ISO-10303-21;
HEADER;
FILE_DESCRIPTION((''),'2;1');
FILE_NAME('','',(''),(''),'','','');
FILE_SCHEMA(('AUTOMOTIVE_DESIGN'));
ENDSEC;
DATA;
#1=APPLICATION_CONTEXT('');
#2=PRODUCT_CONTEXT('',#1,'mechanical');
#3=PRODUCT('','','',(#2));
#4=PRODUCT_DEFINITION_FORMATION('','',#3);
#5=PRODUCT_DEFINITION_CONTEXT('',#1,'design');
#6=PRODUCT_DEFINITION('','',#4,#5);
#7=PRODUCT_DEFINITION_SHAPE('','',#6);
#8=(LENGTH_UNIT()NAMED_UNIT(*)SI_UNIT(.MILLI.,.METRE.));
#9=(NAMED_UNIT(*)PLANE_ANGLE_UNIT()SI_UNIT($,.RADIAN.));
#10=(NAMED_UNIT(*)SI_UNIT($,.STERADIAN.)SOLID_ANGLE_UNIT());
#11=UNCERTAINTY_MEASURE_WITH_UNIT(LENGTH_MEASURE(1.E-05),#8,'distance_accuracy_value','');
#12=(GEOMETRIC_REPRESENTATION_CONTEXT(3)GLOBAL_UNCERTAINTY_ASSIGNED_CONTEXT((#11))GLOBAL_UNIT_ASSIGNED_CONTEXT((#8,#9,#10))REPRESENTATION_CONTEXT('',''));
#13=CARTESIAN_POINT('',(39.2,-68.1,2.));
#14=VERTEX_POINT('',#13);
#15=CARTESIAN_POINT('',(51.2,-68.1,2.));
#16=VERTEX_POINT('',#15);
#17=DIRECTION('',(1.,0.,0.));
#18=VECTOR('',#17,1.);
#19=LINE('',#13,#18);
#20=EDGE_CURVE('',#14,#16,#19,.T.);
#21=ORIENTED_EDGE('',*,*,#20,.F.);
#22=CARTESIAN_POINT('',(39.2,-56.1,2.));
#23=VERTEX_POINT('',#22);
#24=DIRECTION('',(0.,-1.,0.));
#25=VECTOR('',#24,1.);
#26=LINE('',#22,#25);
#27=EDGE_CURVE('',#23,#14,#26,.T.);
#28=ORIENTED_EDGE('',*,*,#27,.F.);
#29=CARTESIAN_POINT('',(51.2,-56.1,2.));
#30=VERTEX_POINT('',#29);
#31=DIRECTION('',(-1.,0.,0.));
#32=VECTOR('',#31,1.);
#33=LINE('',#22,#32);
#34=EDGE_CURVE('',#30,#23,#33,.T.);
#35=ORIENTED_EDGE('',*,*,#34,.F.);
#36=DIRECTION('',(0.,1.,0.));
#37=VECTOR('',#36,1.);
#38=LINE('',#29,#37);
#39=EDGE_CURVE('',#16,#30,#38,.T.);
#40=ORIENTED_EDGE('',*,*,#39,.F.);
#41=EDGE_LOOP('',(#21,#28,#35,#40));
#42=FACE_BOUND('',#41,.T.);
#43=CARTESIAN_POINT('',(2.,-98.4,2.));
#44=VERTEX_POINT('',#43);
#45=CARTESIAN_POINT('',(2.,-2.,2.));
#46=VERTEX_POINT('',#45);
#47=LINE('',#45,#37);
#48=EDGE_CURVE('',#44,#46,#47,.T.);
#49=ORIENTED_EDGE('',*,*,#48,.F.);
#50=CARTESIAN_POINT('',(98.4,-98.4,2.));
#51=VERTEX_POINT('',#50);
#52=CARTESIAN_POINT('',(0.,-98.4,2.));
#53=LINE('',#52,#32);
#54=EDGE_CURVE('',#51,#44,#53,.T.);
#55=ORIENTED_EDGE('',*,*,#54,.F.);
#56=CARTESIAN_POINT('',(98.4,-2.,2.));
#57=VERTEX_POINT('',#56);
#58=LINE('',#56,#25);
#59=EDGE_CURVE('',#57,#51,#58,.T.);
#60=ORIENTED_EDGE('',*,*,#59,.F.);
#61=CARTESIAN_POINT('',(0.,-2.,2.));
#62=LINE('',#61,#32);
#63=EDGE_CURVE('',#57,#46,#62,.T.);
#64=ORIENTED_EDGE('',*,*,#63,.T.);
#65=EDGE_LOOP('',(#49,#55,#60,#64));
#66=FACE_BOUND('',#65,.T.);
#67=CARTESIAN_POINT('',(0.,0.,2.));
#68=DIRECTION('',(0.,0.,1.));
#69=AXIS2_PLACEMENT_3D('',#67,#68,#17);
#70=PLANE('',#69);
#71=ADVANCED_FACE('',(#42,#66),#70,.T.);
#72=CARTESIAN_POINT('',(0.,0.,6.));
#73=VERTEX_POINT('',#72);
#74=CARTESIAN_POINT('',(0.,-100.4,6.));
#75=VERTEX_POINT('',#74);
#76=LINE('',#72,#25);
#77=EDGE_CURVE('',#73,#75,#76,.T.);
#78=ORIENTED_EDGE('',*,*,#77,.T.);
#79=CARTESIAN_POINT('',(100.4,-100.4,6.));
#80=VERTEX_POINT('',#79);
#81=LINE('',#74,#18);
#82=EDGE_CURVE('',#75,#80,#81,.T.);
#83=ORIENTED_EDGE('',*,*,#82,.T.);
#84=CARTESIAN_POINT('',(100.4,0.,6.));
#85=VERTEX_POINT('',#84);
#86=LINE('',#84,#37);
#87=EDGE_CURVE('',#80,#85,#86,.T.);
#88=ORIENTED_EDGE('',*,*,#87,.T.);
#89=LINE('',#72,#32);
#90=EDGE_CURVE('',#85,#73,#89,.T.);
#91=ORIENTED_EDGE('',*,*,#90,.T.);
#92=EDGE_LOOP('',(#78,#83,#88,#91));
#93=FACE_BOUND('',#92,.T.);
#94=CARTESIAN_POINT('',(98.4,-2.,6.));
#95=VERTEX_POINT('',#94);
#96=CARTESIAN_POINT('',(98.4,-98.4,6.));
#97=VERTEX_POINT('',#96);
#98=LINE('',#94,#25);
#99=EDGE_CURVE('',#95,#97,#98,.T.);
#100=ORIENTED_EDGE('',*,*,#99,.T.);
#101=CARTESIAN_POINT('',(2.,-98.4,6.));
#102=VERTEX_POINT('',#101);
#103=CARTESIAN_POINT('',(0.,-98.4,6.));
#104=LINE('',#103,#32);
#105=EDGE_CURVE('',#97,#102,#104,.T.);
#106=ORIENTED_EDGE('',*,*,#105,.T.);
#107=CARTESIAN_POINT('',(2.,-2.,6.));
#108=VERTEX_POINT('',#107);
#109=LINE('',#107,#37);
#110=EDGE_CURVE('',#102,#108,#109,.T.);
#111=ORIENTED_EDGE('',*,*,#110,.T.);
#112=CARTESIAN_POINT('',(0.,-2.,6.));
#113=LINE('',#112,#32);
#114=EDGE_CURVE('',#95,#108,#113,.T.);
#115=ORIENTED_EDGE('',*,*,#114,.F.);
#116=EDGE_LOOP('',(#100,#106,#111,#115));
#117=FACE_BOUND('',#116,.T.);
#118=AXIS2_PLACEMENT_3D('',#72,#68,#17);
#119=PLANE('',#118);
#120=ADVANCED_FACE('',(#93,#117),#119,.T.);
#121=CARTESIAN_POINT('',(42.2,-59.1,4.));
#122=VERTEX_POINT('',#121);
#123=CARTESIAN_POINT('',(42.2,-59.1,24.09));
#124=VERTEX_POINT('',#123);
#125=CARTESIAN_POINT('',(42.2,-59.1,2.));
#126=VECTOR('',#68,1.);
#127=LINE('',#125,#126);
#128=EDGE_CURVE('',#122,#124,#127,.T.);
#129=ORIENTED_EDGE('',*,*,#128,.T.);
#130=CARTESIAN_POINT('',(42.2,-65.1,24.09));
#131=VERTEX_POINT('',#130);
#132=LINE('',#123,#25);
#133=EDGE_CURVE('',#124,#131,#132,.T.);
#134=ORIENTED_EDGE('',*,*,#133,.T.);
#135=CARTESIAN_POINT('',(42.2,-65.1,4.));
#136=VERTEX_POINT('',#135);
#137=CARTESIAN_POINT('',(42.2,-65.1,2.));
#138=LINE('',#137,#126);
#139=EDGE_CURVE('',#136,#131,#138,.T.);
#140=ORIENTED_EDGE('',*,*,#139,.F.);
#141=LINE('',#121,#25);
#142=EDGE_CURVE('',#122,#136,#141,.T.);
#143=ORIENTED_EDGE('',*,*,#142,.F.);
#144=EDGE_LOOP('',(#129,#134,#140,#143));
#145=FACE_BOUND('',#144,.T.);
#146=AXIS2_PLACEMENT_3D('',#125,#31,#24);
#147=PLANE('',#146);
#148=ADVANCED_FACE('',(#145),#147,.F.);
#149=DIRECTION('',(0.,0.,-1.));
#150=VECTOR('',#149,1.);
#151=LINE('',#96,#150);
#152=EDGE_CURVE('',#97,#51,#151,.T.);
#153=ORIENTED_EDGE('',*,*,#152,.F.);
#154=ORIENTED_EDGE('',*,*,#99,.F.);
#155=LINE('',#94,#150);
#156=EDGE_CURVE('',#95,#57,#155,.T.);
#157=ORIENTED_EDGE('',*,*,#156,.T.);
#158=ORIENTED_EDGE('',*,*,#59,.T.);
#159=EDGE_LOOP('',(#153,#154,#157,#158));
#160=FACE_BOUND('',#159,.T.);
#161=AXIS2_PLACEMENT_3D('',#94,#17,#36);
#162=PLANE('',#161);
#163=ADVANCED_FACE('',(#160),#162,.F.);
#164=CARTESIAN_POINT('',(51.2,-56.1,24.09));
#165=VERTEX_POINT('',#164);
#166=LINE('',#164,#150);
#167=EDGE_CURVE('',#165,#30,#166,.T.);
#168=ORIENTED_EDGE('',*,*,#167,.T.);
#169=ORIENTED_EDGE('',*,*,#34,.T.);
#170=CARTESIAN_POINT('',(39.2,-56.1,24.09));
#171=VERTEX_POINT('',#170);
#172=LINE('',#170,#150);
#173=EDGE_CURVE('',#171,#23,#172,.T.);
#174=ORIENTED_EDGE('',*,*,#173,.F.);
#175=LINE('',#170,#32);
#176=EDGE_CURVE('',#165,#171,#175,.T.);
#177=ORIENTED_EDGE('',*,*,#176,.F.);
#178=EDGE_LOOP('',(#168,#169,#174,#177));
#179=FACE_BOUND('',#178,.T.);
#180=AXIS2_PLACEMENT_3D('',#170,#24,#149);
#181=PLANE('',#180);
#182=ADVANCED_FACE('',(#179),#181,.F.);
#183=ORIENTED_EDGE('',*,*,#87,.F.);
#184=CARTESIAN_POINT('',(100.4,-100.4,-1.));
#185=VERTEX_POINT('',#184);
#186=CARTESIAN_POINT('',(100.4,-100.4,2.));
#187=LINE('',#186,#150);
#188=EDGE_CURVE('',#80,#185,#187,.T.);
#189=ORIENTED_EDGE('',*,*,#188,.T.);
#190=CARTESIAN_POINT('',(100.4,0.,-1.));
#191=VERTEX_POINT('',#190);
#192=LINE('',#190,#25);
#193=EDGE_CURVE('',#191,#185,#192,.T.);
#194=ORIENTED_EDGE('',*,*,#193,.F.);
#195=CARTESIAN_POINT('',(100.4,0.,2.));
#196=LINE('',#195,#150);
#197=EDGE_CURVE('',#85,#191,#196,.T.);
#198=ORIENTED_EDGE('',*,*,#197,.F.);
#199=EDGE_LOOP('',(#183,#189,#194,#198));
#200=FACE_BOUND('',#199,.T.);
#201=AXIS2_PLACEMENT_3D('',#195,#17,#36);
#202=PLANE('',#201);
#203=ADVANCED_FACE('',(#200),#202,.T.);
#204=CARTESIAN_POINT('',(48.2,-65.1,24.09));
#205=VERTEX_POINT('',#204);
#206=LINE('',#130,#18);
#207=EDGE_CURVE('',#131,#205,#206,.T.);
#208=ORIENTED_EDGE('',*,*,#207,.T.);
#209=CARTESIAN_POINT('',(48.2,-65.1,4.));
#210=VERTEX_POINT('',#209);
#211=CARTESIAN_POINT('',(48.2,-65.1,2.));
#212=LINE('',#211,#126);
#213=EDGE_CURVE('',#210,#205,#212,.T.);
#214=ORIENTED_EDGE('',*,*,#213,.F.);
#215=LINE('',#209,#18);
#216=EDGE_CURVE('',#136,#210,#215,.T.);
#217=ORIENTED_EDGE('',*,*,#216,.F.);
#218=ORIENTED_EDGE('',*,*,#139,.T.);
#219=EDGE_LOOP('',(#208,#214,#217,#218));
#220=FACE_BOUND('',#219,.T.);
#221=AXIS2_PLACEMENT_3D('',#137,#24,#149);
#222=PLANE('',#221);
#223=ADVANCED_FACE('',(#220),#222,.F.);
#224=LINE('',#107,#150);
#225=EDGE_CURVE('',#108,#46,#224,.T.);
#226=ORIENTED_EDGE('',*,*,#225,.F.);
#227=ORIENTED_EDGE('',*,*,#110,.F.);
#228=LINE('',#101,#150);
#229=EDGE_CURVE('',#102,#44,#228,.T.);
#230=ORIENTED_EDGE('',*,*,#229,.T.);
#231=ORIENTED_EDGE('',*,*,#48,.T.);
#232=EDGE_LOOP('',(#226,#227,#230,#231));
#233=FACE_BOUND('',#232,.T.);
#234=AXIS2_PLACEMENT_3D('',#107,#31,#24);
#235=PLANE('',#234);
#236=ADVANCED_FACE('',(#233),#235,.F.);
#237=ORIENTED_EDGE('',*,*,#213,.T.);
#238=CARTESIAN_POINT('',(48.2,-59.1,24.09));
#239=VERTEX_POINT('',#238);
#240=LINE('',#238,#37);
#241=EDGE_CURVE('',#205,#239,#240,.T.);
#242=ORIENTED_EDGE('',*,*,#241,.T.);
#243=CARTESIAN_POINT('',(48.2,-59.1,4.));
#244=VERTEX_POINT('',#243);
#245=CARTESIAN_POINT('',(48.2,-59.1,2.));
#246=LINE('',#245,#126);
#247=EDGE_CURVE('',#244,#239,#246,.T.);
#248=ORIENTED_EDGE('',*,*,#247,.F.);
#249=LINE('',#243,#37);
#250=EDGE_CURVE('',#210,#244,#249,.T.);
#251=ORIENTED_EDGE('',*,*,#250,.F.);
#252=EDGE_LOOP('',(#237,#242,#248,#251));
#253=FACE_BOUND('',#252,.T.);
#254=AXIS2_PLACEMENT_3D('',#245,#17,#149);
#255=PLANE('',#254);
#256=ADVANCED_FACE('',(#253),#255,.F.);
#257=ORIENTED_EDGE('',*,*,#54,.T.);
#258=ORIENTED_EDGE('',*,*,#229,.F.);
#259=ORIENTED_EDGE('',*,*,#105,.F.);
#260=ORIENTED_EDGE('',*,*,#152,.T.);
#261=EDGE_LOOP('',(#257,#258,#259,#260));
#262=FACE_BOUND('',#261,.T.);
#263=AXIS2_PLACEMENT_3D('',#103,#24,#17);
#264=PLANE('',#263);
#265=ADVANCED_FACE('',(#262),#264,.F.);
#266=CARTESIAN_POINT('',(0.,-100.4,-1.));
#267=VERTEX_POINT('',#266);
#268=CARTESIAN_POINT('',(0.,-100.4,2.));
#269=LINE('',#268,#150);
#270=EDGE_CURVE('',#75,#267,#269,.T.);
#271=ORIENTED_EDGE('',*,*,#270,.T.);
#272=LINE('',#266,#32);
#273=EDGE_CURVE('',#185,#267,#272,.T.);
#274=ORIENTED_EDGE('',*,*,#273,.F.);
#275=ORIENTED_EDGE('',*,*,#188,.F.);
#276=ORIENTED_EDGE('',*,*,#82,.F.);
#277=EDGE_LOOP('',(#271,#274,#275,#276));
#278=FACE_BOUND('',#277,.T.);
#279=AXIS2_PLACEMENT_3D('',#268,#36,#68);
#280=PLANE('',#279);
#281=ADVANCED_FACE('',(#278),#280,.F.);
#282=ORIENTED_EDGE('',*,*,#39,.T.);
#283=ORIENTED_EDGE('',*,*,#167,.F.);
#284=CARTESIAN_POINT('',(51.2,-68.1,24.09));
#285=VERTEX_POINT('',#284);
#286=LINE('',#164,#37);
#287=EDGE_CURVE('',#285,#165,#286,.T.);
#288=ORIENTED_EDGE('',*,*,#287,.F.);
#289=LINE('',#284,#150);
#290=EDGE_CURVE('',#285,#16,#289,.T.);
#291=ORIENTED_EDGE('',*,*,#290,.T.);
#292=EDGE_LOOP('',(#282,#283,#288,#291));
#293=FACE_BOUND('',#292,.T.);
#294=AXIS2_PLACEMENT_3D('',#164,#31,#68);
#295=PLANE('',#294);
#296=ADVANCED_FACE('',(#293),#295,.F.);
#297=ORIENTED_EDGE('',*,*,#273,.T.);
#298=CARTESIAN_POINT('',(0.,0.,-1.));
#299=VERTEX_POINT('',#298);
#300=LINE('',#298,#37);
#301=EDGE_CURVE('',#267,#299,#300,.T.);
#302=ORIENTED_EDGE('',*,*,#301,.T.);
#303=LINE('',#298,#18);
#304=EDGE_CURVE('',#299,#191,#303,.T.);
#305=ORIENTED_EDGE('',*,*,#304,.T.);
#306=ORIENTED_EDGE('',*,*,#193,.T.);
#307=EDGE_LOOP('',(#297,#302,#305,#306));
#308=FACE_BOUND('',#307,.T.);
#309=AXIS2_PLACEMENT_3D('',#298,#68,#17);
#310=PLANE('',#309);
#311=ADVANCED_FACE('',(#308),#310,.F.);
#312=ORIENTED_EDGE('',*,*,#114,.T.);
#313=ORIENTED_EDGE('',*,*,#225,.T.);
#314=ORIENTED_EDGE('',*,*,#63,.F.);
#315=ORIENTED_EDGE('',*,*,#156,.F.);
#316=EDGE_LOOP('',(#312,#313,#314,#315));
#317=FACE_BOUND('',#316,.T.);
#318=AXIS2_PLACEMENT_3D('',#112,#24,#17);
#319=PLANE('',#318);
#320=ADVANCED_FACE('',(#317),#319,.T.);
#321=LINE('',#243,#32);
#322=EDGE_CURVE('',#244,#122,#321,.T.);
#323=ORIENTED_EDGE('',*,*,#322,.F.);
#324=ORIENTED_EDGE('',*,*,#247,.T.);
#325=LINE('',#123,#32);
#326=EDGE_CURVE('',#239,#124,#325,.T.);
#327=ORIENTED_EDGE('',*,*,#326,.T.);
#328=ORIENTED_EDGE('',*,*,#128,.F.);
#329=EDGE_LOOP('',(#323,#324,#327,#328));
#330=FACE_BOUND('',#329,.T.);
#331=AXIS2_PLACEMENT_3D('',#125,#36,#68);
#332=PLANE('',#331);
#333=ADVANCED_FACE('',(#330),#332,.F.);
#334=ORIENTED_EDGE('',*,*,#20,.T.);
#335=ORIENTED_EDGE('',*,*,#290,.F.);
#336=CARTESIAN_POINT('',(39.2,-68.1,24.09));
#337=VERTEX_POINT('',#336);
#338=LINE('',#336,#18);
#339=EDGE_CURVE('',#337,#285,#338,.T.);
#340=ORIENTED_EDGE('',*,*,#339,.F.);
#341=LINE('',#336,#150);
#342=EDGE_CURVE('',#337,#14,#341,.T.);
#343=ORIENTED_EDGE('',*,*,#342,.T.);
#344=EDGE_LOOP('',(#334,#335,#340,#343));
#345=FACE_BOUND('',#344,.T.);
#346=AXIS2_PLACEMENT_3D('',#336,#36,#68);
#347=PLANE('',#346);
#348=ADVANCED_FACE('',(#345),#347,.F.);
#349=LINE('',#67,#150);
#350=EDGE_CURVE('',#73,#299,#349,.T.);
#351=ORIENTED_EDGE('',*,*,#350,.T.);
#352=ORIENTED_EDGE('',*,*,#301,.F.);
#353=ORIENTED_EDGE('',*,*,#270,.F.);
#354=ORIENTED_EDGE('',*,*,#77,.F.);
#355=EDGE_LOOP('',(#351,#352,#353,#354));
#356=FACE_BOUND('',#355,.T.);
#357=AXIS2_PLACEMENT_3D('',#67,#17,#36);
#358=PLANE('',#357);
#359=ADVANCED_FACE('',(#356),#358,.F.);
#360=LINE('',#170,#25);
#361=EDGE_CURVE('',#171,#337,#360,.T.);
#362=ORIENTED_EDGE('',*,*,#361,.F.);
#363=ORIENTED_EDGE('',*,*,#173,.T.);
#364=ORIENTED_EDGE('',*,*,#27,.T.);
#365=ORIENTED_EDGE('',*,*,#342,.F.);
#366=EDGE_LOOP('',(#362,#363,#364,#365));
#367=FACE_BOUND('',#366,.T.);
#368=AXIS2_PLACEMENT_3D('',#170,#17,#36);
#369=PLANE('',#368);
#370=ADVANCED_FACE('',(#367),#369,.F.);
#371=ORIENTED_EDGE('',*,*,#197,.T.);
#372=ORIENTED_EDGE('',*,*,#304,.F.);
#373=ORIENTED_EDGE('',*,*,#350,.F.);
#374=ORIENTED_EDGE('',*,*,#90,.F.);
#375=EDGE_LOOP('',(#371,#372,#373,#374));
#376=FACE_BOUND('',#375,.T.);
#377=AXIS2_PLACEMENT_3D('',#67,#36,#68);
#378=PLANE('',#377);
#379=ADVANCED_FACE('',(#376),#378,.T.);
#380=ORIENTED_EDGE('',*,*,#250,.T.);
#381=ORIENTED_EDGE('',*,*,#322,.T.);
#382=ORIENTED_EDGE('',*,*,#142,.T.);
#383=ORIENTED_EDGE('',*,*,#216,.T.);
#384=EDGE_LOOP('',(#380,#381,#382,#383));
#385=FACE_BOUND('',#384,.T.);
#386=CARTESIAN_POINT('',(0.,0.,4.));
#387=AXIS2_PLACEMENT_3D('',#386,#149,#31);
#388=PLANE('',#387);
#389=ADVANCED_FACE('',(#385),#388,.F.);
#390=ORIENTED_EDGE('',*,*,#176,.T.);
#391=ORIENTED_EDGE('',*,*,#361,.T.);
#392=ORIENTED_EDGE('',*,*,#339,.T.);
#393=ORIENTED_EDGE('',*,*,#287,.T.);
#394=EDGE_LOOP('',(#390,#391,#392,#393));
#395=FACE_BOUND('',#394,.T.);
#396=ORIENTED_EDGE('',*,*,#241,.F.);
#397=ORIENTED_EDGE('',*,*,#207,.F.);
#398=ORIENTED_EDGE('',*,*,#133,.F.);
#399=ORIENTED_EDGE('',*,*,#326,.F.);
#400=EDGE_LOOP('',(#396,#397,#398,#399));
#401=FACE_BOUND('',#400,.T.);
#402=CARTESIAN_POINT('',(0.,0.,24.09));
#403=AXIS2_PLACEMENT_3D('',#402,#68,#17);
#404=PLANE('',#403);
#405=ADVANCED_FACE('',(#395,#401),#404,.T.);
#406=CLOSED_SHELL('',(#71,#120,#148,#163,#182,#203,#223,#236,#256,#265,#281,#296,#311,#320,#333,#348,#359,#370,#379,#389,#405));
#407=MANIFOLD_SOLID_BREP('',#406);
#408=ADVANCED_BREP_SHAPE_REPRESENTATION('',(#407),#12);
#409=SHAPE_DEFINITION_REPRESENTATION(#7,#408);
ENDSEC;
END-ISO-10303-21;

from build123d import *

# Parameters (mm, degrees)
SKETCH_1_W          = 100.4
SKETCH_1_H          = 100.4
EXTRUDE_2_DEPTH     = 2
SKETCH_2_W          = 100.4
SKETCH_2_H          = 2
EXTRUDE_3_DEPTH     = 4
SKETCH_3_W          = 2
SKETCH_3_H          = 96.4
EXTRUDE_4_DEPTH     = 4
SKETCH_4_W          = 12
SKETCH_4_H          = 12
EXTRUDE_5_DEPTH     = 22.09
SKETCH_7_W          = 6
SKETCH_7_H          = 6
CUT_EXTRUDE_1_DEPTH = 22.09
SKETCH_8_W          = 6
SKETCH_8_H          = 6
EXTRUDE_6_DEPTH     = 2
SKETCH_10_W         = 100.4
SKETCH_10_H         = 100.4
EXTRUDE_7_DEPTH     = 1


with BuildPart() as part:
    # 草圖1 → 填料-伸長2 (new body)
    with BuildSketch(Plane.XY):
        with Locations((50.2, -50.2)):
            Rectangle(SKETCH_1_W, SKETCH_1_H)
    extrude(amount=EXTRUDE_2_DEPTH)

    # 草圖2 → 填料-伸長3 (add)
    with BuildSketch(Plane.XY.offset(2)):
        Polygon((100.4, -2), (100.4, 0), (0, 0), (0, -2), (1, -2), (55.6, -2), align=None)
        with Locations((50.2, -99.4)):
            Rectangle(SKETCH_2_W, SKETCH_2_H)
    extrude(amount=EXTRUDE_3_DEPTH)

    # 草圖3 → 填料-伸長4 (add)
    with BuildSketch(Plane.XY.offset(2)):
        with Locations((1, -50.2)):
            Rectangle(SKETCH_3_W, SKETCH_3_H)
        with Locations((99.4, -50.2)):
            Rectangle(SKETCH_3_W, SKETCH_3_H)
    extrude(amount=EXTRUDE_4_DEPTH)

    # 草圖4 → 填料-伸長5 (add)
    with BuildSketch(Plane.XY.offset(2)):
        with Locations((45.2, -62.1)):
            Rectangle(SKETCH_4_W, SKETCH_4_H)
    extrude(amount=EXTRUDE_5_DEPTH)

    # 草圖7 → 除料-伸長1 (cut)
    with BuildSketch(Plane.XY.offset(24.09)):
        with Locations((45.2, -62.1)):
            Rectangle(SKETCH_7_W, SKETCH_7_H)
    extrude(amount=-CUT_EXTRUDE_1_DEPTH, mode=Mode.SUBTRACT)

    # 草圖8 → 填料-伸長6 (add)
    with BuildSketch(Plane.XY.offset(2)):
        with Locations((45.2, -62.1)):
            Rectangle(SKETCH_8_W, SKETCH_8_H)
    extrude(amount=EXTRUDE_6_DEPTH)

    # 草圖10 → 填料-伸長7 (add)
    with BuildSketch(Plane(origin=(0, 0, 0), x_dir=(-1, 0, 0), z_dir=(0, 0, -1))):
        with Locations((-50.2, -50.2)):
            Rectangle(SKETCH_10_W, SKETCH_10_H)
    extrude(amount=EXTRUDE_7_DEPTH)


solid = part.part
